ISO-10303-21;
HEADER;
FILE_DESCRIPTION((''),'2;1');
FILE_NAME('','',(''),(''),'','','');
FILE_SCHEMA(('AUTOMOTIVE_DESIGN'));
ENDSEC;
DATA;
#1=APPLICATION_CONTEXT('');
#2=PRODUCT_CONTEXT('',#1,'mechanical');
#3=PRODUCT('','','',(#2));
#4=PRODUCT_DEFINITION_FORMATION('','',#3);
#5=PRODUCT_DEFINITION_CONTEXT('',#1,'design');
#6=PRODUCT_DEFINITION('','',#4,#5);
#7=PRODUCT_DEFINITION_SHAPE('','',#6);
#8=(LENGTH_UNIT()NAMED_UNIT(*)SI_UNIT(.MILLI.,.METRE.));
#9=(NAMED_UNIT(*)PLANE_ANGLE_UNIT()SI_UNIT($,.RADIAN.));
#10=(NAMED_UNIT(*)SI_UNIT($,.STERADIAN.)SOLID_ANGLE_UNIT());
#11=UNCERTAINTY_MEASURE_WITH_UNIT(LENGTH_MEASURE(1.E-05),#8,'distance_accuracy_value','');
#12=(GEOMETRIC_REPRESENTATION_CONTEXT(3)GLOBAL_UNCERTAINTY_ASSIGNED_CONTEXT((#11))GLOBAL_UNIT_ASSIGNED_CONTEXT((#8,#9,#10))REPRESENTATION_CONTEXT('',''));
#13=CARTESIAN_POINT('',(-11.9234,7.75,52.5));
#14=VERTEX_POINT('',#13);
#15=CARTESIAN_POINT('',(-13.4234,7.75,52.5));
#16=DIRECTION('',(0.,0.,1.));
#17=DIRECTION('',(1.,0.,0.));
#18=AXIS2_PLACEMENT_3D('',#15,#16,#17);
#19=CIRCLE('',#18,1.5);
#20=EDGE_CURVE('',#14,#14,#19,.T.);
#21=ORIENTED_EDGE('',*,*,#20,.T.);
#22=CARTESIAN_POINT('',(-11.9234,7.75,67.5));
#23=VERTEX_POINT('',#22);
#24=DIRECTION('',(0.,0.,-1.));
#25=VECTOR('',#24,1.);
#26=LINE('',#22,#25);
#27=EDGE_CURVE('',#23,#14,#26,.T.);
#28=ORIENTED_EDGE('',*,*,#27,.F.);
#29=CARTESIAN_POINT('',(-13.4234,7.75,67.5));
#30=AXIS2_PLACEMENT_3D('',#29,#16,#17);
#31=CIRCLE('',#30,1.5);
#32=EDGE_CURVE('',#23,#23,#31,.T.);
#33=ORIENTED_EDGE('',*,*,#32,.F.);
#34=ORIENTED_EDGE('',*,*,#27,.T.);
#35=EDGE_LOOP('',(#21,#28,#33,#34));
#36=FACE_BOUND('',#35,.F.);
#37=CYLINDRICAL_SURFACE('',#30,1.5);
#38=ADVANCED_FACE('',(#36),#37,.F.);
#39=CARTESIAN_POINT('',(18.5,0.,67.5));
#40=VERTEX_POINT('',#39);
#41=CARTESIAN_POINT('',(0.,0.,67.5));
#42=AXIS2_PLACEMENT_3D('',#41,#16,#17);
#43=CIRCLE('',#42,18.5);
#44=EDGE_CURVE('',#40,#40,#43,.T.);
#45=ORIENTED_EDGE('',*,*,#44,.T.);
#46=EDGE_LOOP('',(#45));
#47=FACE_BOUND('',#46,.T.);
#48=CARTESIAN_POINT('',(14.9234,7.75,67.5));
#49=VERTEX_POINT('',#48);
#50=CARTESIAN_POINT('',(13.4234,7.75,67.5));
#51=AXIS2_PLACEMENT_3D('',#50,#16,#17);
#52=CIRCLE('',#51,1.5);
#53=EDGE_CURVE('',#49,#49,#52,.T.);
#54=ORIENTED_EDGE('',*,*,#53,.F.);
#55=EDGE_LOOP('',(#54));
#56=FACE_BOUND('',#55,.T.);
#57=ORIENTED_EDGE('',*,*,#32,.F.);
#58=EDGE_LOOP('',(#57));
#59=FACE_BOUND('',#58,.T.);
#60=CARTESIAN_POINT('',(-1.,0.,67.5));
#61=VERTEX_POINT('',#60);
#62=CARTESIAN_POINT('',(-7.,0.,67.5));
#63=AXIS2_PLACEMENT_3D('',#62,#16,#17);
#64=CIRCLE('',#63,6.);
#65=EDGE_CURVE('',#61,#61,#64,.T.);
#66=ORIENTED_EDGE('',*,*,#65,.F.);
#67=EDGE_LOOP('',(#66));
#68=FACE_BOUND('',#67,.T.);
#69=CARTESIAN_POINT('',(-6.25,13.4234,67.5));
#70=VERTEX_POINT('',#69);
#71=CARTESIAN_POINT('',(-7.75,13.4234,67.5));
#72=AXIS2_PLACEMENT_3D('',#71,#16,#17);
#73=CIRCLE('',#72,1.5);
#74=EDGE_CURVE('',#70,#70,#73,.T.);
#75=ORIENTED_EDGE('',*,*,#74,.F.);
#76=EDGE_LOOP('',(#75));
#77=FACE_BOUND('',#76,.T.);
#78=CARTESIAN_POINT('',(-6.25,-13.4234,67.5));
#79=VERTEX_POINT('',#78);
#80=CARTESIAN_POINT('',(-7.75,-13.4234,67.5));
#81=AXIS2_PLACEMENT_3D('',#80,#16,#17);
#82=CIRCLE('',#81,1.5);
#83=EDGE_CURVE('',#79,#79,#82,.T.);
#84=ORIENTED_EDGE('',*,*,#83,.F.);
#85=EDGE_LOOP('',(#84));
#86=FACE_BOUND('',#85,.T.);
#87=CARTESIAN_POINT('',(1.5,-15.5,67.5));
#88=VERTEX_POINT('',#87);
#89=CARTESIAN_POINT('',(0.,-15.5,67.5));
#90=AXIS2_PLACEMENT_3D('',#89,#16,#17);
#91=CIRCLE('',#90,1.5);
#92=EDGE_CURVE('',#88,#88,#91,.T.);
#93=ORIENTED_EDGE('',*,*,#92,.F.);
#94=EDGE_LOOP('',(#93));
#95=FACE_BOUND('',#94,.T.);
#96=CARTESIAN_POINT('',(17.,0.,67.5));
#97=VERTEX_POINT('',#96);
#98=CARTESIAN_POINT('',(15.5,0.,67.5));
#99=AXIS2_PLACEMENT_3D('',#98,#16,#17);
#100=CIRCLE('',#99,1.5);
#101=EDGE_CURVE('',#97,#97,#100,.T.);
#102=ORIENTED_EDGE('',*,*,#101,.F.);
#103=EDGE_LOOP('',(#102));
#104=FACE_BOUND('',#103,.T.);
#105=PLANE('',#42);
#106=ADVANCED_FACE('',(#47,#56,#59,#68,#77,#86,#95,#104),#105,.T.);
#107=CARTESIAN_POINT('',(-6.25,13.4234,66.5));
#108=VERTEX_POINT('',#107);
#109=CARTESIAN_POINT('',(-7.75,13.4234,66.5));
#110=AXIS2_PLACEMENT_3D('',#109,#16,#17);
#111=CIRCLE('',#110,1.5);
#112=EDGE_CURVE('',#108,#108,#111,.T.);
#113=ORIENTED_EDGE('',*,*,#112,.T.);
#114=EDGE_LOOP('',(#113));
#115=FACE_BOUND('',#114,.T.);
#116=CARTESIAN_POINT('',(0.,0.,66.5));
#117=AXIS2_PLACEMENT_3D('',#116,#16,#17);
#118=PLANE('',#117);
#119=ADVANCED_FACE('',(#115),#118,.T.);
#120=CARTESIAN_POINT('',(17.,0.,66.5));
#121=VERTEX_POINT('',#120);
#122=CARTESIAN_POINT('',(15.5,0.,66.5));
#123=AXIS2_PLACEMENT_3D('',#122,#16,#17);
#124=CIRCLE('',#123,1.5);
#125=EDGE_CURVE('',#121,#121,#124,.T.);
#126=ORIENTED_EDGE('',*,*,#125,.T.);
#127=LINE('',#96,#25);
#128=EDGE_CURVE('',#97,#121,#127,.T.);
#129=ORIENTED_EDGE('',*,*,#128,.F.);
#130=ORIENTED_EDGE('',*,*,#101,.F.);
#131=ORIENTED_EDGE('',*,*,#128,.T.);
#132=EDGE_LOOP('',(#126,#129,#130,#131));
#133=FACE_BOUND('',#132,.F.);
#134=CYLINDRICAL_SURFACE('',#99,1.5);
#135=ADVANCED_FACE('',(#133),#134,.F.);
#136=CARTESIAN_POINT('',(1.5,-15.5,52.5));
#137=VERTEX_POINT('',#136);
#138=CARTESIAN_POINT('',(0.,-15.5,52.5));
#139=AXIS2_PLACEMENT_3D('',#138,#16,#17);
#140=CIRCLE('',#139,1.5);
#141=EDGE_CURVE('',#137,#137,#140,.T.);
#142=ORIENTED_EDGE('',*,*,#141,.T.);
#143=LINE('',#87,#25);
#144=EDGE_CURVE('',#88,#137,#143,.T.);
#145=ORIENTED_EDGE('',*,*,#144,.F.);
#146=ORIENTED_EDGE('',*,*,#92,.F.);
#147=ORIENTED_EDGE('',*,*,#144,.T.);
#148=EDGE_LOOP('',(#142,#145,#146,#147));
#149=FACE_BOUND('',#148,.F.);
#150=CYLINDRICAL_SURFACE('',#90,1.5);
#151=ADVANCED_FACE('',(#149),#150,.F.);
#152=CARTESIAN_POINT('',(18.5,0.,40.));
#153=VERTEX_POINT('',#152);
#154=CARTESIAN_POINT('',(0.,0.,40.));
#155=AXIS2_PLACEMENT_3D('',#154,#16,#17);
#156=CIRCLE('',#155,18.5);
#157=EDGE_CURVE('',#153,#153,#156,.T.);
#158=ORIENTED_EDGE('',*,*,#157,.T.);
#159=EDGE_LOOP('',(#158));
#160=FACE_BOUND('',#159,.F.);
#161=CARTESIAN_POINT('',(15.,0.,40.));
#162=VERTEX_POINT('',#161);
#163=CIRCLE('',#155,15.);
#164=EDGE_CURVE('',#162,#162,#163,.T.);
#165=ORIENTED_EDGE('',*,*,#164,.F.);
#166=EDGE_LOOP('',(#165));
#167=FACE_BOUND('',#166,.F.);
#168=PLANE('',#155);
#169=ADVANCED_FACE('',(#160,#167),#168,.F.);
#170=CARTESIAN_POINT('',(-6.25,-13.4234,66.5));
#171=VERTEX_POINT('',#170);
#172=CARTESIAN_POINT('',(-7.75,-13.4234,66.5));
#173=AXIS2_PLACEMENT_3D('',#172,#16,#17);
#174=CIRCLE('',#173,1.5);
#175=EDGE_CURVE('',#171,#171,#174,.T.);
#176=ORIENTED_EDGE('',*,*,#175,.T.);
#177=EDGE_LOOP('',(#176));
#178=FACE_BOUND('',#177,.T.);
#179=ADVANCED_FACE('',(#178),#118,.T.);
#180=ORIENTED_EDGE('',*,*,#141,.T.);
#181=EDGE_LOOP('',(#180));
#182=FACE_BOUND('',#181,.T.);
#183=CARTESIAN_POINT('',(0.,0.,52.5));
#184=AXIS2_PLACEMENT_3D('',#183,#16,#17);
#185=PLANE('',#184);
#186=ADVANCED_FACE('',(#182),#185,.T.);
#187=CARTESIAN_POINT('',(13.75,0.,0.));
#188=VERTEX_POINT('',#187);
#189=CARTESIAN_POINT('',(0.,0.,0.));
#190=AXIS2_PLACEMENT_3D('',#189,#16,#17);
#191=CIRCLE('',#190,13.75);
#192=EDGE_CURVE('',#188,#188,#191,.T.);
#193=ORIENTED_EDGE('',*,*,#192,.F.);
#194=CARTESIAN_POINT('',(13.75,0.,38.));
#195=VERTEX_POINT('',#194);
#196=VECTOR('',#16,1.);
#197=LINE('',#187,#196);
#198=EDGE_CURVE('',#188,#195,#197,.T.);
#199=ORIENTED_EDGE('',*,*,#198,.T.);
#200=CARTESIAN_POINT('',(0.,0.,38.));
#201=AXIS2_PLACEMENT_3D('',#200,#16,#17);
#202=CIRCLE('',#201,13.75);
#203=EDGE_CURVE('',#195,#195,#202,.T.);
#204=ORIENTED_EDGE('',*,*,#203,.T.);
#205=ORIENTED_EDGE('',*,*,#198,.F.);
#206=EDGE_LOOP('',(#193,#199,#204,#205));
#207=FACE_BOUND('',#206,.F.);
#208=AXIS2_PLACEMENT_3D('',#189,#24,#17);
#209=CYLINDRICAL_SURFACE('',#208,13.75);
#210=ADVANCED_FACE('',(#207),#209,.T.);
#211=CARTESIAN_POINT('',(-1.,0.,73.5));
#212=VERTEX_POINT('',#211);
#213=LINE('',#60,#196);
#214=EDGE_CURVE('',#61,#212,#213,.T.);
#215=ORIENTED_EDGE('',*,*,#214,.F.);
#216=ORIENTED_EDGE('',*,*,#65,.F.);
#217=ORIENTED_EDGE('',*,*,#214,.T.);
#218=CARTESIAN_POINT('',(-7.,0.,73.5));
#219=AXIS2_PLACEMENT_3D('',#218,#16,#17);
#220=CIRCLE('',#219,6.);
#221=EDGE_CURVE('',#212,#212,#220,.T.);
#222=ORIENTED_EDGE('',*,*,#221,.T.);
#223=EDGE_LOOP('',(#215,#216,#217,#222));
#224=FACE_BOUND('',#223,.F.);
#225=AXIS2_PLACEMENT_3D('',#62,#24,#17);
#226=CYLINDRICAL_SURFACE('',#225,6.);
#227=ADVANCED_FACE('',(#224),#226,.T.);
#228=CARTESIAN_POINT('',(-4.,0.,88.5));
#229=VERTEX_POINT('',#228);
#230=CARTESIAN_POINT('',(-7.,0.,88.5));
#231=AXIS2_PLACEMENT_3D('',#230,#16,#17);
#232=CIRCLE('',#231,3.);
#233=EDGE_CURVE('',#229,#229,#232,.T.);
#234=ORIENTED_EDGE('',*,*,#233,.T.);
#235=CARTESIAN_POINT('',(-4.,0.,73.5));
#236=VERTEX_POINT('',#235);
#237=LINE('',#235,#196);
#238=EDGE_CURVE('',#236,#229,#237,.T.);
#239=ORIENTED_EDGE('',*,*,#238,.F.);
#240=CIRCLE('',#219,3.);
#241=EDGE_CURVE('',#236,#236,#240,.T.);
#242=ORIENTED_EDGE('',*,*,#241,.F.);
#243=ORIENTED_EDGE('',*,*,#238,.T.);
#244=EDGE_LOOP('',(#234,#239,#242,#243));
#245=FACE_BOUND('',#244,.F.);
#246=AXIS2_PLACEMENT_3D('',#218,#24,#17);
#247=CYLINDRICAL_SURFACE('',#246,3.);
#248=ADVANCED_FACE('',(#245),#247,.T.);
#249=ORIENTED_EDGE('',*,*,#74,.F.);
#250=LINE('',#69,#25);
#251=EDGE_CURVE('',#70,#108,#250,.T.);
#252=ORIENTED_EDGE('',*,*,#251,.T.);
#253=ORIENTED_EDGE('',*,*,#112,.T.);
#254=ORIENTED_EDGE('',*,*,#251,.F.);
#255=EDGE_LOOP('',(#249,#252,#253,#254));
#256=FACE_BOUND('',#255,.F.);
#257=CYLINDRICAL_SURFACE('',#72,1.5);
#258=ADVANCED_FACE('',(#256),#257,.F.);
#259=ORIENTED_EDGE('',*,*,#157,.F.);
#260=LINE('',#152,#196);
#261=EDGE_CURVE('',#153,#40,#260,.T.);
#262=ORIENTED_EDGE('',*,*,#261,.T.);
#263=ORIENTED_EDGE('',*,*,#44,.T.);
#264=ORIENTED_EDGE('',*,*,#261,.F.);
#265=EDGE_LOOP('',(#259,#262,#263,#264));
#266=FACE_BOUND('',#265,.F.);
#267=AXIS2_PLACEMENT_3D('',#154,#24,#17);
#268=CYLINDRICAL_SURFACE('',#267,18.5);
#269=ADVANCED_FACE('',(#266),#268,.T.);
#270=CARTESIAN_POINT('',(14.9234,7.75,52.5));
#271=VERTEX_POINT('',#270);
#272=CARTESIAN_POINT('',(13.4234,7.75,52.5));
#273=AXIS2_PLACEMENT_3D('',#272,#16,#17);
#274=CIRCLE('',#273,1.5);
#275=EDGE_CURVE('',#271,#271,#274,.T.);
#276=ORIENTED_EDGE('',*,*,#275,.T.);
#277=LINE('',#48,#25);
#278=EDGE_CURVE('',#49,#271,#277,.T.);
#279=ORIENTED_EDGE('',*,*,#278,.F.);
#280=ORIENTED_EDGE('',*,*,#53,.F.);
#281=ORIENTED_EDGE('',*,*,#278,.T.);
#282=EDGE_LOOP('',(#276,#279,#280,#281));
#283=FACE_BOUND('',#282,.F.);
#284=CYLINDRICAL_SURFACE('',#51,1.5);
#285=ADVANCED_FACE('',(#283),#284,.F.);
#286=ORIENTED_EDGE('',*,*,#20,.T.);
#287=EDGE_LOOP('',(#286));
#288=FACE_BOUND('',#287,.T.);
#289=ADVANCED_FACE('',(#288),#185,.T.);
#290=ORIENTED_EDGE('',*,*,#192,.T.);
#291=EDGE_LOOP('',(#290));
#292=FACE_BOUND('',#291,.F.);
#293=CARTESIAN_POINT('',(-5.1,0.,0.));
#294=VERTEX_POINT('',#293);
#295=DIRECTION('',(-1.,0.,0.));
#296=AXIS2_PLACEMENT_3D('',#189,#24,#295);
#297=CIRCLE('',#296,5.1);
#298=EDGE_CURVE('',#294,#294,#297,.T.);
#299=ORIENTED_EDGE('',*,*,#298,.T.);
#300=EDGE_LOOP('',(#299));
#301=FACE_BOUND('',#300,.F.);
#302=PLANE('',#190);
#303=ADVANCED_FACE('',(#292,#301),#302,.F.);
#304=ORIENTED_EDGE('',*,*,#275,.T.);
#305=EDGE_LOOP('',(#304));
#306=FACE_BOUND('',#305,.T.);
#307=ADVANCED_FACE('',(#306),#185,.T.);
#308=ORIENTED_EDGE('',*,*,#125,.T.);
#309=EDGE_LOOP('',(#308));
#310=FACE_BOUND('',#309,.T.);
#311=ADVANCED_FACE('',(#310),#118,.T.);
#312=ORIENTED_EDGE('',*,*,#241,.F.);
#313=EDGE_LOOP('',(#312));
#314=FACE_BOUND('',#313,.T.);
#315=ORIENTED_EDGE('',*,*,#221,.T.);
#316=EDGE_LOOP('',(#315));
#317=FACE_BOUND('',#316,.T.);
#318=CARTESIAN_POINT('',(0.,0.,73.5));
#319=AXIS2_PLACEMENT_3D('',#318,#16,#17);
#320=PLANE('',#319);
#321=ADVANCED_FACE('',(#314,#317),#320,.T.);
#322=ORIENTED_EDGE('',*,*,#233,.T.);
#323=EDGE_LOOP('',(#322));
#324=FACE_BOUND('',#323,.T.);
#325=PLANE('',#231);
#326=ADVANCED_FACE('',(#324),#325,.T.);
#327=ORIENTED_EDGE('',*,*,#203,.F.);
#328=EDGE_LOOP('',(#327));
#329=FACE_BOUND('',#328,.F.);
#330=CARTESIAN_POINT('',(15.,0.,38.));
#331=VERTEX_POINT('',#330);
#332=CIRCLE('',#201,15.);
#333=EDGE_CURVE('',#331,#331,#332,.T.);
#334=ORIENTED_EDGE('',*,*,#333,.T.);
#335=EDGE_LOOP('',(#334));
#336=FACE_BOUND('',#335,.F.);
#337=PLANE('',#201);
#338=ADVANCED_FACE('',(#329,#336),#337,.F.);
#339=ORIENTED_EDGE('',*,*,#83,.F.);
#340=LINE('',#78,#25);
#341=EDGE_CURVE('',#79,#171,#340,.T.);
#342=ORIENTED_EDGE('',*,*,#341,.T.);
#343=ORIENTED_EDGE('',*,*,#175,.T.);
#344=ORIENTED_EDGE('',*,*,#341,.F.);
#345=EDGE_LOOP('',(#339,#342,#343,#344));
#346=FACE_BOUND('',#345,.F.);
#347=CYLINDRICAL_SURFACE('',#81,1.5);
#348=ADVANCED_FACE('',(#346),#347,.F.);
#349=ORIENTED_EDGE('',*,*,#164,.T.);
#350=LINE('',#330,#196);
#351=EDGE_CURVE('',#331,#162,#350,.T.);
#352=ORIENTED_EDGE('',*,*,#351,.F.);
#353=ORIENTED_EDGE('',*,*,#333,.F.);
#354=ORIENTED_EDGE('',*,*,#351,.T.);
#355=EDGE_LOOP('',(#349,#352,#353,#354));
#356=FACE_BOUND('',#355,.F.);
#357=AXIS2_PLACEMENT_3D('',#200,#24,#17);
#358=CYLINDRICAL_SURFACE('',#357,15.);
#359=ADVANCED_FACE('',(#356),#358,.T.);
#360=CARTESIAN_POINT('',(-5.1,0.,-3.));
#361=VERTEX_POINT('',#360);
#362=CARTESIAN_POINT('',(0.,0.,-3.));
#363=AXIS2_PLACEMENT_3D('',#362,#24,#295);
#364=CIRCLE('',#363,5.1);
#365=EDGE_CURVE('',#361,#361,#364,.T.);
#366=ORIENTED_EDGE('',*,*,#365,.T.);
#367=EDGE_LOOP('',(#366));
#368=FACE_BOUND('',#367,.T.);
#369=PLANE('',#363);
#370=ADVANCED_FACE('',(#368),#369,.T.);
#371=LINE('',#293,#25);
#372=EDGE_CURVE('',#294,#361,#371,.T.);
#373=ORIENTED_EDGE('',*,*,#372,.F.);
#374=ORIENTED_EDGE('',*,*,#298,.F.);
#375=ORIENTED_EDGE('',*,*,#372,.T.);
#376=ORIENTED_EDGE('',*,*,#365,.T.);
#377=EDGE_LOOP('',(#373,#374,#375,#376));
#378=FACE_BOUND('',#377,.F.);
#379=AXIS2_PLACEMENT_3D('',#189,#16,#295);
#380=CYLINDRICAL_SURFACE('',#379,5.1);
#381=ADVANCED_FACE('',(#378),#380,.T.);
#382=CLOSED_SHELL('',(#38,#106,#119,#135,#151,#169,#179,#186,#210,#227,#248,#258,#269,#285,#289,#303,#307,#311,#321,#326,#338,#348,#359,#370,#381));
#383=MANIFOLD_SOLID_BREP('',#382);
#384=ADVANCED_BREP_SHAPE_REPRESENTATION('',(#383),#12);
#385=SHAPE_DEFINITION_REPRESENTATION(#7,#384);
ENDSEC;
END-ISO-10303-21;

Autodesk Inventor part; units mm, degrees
ref_plane "YZ Plane" through (0, 0, 0) normal (1, 0, 0) x (0, 1, 0)
ref_plane "XZ Plane" through (0, 0, 0) normal (0, 1, 0) x (-1, 0, 0)
ref_plane "XY Plane" through (0, 0, 0) normal (0, 0, 1) x (1, 0, 0)
sketch "スケッチ1" plane through (0, 0, 0) normal (0, 0, 1) x (1, 0, 0)
  circle A0 centre (0, 0) radius 13.75
  dimension "d0" = 27.5
extrude "押し出し1" add sketch "スケッチ1" along normal blind 38
sketch "スケッチ2" plane through (0, 0, 38) normal (0, 0, 1) x (1, 0, 0)
  circle A0 centre (0, 0) radius 15
  dimension "d3" = 30
extrude "押し出し2" add sketch "スケッチ2" along normal blind 2
sketch "スケッチ3" plane through (0, 0, 40) normal (0, 0, 1) x (1, 0, 0)
  circle A0 centre (0, 0) radius 18.5
  dimension "d6" = 37
extrude "押し出し3" add sketch "スケッチ3" along normal blind 27.5
sketch "スケッチ4" plane through (0, 0, 0) normal (0, 0, -1) x (-1, 0, 0)
  circle A0 centre (0, 0) radius 5.1
  dimension "d9" = 10.2
extrude "押し出し4" add sketch "スケッチ4" along normal blind 3
sketch "スケッチ5" plane through (0, 0, 67.5) normal (0, 0, 1) x (1, 0, 0)
  circle A0 centre (-7, 0) radius 6
  point P0 (0, 0)
  dimension "d12" = 12
extrude "押し出し5" add sketch "スケッチ5" along normal blind 6
sketch "スケッチ6" plane through (-7, 0, 73.5) normal (0, 0, 1) x (1, 0, 0)
  circle A0 centre (0, 0) radius 3
  point P0 (7, 0)
  dimension "d15" = 6
extrude "押し出し6" add sketch "スケッチ6" along normal blind 15
sketch "スケッチ7" plane through (0, 0, 67.5) normal (0, 0, 1) x (1, 0, 0)
  circle A0 centre (-7.75, -13.4234) radius 1.5
  circle A1 centre (-7.75, 13.4234) radius 1.5
  circle A2 centre (15.5, 0) radius 1.5
  circle A3 centre (0, -15.5) radius 1.5
  circle A4 centre (-13.4234, 7.75) radius 1.5
  circle A5 centre (13.4234, 7.75) radius 1.5
  point P0 (0, 0)
  point P1 (0, 0)
  point P2 (0, 0)
  dimension "d19" = 3
  dimension "d20" = 3
  dimension "d21" = 3
  dimension "d22" = 3
  dimension "d23" = 3
  dimension "d24" = 3
extrude "押し出し7" cut sketch "スケッチ7" against normal blind 15 contours A3 | A4 | A5
sketch "スケッチ8" plane through (0, 0, 67.5) normal (0, 0, 1) x (1, 0, 0)
  circle A0 centre (-7.75, -13.4234) radius 1.5
  circle A1 centre (-7.75, 13.4234) radius 1.5
  circle A2 centre (15.5, 0) radius 1.5
  circle A3 centre (0, -15.5) radius 1.5
  circle A4 centre (-13.4234, 7.75) radius 1.5
  circle A5 centre (13.4234, 7.75) radius 1.5
  point P0 (0, 0)
  point P1 (0, 0)
  point P2 (0, 0)
  point P3 (0, 0)
  dimension "d27" = 3
  dimension "d28" = 3
  dimension "d29" = 3
  dimension "d30" = 3
  dimension "d31" = 3
  dimension "d32" = 3
extrude "押し出し8" cut sketch "スケッチ8" against normal blind 1 contours A0 | A1 | A2
properties part number "380-300c1" material "ステンレス鋼"
